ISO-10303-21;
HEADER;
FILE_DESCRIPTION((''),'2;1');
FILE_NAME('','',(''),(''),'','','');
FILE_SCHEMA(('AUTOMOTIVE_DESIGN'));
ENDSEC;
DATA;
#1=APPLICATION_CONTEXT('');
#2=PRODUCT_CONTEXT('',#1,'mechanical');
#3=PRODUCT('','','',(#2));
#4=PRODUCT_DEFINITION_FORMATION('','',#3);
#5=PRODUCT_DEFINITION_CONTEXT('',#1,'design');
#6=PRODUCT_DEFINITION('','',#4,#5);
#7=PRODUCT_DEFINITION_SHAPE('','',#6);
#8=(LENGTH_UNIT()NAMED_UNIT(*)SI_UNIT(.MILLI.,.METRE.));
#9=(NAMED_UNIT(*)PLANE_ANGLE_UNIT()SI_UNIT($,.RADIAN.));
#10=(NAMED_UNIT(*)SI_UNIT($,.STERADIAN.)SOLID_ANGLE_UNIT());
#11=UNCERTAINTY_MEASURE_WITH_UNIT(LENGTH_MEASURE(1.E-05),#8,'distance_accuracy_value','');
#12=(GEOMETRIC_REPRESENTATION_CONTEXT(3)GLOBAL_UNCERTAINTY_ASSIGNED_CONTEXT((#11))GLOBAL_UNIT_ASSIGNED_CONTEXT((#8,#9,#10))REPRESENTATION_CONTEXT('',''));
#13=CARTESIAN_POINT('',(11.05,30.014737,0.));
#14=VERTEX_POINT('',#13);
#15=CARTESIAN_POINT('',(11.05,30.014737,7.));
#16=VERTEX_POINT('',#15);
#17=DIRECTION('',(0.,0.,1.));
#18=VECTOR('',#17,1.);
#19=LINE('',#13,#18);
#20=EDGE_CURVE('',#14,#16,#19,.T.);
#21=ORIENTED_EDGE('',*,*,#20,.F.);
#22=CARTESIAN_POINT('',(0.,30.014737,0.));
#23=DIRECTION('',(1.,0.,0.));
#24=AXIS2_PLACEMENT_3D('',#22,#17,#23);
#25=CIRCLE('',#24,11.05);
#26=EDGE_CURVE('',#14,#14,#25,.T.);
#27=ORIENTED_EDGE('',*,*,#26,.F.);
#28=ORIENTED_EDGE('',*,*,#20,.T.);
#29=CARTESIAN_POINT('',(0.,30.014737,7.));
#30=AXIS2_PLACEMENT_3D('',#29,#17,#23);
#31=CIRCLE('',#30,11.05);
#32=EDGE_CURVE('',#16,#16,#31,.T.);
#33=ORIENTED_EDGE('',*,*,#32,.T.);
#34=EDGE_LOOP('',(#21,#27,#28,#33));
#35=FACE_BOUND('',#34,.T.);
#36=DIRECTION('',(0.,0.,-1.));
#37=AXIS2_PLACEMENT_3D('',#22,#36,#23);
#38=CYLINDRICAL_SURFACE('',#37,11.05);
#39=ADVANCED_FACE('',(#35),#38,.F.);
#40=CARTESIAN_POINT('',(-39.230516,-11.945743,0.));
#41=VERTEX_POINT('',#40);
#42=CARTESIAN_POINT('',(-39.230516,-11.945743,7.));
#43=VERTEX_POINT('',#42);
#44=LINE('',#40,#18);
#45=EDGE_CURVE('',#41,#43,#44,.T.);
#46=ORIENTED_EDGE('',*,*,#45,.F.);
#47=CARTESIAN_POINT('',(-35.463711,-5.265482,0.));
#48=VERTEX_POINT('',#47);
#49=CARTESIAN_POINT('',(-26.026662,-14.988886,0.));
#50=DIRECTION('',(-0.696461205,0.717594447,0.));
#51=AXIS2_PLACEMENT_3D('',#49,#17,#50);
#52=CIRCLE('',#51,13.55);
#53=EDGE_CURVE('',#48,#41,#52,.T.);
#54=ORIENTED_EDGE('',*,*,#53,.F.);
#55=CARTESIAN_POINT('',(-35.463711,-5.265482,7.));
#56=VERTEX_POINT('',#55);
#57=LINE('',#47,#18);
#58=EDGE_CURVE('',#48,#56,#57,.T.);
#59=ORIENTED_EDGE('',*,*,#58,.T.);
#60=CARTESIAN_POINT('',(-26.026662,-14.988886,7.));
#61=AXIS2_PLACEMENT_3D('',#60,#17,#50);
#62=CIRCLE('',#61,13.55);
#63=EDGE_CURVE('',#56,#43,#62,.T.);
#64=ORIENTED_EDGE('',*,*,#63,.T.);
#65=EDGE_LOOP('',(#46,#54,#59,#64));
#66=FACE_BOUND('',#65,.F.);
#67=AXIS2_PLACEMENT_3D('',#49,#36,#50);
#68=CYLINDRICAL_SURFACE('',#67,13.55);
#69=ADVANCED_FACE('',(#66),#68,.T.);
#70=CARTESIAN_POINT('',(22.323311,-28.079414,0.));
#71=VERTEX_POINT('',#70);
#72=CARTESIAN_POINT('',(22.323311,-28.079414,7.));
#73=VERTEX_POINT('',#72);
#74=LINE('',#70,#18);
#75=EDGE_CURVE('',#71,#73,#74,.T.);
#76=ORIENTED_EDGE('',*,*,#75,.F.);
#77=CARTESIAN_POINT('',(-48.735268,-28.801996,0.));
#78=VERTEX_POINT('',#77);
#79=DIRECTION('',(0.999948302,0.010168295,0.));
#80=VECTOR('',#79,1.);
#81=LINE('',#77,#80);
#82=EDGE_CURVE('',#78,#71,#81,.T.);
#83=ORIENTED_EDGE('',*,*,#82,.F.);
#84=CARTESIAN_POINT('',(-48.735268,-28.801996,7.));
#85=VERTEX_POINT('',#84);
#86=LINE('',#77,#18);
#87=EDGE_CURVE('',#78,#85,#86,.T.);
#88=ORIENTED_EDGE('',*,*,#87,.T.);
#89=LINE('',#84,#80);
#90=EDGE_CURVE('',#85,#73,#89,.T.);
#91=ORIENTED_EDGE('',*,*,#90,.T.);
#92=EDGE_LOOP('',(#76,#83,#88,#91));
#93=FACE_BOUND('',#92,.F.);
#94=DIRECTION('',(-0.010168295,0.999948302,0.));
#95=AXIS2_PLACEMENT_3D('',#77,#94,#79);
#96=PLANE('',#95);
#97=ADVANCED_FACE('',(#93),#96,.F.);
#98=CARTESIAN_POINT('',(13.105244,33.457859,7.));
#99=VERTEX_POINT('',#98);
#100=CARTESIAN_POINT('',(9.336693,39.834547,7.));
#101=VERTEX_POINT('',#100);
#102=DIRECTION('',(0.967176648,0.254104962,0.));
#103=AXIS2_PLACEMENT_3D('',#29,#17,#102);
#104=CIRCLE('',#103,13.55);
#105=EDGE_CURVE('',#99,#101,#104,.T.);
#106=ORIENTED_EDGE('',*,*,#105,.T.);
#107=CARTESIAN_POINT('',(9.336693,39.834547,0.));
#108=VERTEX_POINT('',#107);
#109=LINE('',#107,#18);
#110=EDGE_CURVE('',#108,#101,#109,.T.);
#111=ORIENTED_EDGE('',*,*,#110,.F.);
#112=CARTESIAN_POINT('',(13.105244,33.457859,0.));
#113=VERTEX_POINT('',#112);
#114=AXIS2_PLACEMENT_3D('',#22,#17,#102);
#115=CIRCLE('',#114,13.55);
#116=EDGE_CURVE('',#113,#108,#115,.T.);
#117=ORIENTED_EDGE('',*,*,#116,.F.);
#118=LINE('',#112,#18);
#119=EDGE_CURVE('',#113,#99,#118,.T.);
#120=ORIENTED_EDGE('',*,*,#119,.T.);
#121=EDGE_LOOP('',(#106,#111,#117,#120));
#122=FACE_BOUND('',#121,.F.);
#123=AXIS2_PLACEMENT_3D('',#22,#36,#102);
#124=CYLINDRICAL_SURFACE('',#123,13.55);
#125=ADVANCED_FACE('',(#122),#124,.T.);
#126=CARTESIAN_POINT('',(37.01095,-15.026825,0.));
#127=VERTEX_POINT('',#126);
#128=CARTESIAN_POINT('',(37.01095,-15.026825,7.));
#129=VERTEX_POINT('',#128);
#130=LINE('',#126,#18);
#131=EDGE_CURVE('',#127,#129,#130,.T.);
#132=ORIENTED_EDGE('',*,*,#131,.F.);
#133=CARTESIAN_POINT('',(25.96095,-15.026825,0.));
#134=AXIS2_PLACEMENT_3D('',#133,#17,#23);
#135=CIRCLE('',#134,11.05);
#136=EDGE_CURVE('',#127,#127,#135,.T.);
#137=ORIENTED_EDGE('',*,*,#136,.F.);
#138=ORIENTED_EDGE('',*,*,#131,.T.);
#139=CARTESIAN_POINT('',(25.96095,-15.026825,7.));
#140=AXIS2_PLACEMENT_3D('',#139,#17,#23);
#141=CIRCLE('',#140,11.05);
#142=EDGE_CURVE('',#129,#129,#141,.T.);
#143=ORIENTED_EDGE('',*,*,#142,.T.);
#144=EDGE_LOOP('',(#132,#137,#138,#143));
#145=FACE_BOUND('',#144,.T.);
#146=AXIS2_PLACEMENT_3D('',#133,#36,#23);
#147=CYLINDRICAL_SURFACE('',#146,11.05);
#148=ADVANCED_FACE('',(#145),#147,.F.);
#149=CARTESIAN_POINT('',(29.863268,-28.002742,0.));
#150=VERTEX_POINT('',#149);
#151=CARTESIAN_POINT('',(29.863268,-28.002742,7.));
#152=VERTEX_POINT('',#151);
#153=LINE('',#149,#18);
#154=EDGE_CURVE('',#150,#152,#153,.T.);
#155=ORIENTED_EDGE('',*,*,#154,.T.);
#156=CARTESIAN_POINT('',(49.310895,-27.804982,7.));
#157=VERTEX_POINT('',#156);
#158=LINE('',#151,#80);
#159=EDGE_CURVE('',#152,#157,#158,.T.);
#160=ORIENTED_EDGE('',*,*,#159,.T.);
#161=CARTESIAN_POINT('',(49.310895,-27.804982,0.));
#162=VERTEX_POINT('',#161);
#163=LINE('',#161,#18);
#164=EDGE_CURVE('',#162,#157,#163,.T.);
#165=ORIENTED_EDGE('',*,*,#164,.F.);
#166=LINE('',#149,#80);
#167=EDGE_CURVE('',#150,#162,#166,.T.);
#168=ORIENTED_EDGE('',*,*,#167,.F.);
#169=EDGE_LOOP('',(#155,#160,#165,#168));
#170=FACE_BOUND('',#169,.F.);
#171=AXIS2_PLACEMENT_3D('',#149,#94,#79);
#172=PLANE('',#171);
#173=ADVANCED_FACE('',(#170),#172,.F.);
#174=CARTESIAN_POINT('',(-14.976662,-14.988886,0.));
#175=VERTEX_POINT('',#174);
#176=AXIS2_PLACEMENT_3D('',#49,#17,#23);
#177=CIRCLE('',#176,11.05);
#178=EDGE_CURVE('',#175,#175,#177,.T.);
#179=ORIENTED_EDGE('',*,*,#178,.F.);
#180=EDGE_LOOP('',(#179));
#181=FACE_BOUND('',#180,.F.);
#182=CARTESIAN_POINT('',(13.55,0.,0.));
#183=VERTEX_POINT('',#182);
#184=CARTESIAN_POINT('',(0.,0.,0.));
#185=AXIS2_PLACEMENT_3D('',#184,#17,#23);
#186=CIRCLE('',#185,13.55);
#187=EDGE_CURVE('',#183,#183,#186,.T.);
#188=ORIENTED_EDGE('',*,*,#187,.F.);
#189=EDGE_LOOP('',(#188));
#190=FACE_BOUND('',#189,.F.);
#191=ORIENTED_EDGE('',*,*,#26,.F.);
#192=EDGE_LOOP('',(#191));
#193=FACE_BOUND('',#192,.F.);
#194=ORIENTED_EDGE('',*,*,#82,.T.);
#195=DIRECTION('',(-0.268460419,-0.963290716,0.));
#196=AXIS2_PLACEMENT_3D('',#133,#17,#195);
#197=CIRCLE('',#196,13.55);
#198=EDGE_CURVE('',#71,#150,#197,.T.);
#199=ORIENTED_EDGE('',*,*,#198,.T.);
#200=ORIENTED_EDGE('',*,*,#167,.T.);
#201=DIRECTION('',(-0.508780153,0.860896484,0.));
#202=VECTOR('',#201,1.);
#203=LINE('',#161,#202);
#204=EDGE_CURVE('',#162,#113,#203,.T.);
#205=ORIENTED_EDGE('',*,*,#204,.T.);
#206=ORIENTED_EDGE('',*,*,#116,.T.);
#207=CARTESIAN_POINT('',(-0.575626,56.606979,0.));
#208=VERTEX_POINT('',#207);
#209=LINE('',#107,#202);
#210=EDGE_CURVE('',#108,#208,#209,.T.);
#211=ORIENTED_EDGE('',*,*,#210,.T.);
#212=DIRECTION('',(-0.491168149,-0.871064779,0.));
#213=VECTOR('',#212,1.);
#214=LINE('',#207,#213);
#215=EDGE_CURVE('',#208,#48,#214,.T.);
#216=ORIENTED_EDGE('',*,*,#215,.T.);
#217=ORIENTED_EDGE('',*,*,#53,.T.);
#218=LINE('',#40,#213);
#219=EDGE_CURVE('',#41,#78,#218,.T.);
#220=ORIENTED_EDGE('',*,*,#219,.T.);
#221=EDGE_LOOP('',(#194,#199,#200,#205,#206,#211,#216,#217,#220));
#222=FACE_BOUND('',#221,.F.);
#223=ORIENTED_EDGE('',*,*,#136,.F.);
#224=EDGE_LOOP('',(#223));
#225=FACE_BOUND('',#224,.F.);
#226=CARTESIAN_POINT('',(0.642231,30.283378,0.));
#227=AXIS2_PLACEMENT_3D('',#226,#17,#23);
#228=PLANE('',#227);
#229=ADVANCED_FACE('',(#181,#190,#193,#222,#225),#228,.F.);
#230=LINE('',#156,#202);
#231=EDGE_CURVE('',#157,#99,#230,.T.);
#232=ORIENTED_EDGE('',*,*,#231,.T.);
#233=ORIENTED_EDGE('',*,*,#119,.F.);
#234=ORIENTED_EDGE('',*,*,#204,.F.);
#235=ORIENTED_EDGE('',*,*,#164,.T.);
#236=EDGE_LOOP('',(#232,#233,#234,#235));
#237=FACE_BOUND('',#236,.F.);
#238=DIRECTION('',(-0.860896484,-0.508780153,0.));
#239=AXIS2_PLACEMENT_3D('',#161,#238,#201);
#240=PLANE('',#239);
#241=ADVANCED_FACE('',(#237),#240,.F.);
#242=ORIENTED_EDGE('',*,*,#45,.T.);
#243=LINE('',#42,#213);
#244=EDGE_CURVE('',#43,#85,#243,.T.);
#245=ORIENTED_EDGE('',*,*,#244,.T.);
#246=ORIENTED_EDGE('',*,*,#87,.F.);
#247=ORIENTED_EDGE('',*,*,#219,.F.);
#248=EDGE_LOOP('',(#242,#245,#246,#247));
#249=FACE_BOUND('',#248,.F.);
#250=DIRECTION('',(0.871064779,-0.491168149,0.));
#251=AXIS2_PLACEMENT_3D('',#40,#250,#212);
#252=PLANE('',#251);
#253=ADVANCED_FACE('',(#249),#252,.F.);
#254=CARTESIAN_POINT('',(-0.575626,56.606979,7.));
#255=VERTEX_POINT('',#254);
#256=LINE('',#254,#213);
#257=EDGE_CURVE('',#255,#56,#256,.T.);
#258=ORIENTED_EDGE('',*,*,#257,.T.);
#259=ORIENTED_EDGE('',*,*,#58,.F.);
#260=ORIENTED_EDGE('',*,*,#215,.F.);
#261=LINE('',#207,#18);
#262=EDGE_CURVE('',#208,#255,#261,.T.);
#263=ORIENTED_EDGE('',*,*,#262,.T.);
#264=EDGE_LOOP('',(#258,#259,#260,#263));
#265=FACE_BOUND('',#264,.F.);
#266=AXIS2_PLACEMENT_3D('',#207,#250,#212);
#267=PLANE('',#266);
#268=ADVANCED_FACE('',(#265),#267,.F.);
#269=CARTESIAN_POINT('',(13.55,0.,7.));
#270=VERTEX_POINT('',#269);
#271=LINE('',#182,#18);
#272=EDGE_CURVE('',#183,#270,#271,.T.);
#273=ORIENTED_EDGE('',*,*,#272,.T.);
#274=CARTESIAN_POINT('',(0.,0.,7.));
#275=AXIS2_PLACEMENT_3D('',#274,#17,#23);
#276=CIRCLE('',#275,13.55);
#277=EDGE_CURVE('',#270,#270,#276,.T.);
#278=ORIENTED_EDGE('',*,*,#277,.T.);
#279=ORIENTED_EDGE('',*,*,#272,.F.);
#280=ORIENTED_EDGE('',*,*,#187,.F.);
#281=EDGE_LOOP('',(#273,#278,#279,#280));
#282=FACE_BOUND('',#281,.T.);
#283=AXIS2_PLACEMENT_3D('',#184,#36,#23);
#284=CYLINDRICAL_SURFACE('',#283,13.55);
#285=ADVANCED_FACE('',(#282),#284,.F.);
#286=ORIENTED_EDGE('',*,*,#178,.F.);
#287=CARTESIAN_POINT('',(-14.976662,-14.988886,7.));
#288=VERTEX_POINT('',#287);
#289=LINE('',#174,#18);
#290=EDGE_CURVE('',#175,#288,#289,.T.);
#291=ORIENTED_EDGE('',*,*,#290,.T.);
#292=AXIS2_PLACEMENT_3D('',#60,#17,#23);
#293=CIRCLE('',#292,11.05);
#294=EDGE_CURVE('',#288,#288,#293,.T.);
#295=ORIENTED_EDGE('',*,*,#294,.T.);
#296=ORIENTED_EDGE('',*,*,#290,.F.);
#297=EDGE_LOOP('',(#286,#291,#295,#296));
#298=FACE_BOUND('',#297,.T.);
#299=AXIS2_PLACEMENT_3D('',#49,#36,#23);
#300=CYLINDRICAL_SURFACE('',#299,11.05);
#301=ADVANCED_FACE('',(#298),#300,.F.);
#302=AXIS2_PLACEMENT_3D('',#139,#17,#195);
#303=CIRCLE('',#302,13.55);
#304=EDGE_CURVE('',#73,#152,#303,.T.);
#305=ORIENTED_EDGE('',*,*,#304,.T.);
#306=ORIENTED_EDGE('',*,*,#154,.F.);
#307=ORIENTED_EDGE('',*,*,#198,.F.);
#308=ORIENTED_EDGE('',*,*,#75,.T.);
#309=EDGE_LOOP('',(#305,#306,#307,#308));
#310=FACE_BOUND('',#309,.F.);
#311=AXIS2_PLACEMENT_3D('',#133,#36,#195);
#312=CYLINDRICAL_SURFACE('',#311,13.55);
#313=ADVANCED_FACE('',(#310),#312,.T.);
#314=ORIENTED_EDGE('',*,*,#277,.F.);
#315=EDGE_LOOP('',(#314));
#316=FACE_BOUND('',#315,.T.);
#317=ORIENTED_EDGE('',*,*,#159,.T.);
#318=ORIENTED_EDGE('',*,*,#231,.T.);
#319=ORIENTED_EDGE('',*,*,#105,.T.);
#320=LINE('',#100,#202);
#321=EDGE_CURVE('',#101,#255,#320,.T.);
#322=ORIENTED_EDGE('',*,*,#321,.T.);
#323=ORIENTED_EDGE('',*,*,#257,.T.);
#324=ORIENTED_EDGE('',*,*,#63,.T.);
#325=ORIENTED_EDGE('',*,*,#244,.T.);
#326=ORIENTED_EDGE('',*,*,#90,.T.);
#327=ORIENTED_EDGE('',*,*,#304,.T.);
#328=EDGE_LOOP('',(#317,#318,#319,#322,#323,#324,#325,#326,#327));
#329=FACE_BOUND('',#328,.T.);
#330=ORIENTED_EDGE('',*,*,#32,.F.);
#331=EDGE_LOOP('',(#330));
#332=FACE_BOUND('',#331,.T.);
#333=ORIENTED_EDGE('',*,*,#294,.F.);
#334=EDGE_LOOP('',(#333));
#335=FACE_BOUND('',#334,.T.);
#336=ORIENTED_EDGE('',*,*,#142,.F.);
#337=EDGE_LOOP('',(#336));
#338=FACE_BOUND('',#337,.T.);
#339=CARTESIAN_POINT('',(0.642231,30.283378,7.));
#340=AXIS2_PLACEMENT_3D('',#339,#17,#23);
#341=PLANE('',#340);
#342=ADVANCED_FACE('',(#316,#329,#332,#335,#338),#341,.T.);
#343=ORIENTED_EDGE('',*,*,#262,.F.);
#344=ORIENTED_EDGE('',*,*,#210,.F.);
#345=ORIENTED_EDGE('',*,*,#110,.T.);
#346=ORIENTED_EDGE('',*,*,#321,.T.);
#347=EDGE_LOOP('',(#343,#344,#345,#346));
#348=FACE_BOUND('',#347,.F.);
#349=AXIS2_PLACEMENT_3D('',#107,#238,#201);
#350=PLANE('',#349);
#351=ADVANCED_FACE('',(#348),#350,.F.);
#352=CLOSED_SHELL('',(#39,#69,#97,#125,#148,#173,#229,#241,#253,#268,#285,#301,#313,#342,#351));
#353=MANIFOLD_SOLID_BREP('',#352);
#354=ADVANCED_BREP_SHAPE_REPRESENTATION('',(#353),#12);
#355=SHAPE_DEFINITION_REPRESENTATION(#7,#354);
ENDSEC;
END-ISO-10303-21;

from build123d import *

# Parameters (mm, degrees)
F0_R     = 11.05
F0_R_2   = 13.55
F1_DEPTH = 7


with BuildPart() as f1:
    # F0 (on Top) → F1 (new body)
    with BuildSketch(Plane.XY):
        with BuildLine():
            ThreePointArc((9.3366927058, 39.8345466227), (-12.4522023386, 24.671969793), (13.55, 30.0147365779))
            ThreePointArc((13.55, 30.0147365779), (13.4383509122, 31.7506008471), (13.1052435777, 33.4578588192))
            Line((13.1052435777, 33.4578588192), (9.3366927058, 39.8345466227))
        make_face()
        with Locations((0, 30.0147365779)):
            Circle(F0_R, mode=Mode.SUBTRACT)
        with BuildLine():
            ThreePointArc((13.1052435777, 33.4578588192), (13.4383509122, 31.7506008471), (13.55, 30.0147365779))
            ThreePointArc((13.55, 30.0147365779), (-12.4522023386, 24.671969793), (9.3366927058, 39.8345466227))
            Line((9.3366927058, 39.8345466227), (-0.5756262346, 56.6069786372))
            Line((-0.5756262346, 56.6069786372), (-35.4637109435, -5.2654817113))
            ThreePointArc((-35.4637109435, -5.2654817113), (-20.7479078997, -2.5094129528), (-12.4766616182, -14.9888864664))
            ThreePointArc((-12.4766616182, -14.9888864664), (-27.5580450783, -28.4520719995), (-39.2305161863, -11.9457426075))
            Line((-39.2305161863, -11.9457426075), (-48.735268414, -28.8019962609))
            Line((-48.735268414, -28.8019962609), (22.3233113272, -28.0794142811))
            ThreePointArc((22.3233113272, -28.0794142811), (17.7660584346, -4.2357986208), (39.5109500096, -15.0268250814))
            ThreePointArc((39.5109500096, -15.0268250814), (36.8347466684, -23.1115666494), (29.8632679104, -28.002741812))
            Line((29.8632679104, -28.002741812), (49.3108946486, -27.8049823764))
            Line((49.3108946486, -27.8049823764), (13.1052435777, 33.4578588192))
        make_face()
        Circle(F0_R_2, mode=Mode.SUBTRACT)
        with BuildLine():
            Line((9.3366927058, 39.8345466227), (13.1052435777, 33.4578588192))
            ThreePointArc((13.1052435777, 33.4578588192), (11.6651473576, 36.9087076487), (9.3366927058, 39.8345466227))
        make_face()
        with BuildLine():
            Line((22.3233113272, -28.0794142811), (29.8632679104, -28.002741812))
            ThreePointArc((29.8632679104, -28.002741812), (36.8347466684, -23.1115666494), (39.5109500096, -15.0268250814))
            ThreePointArc((39.5109500096, -15.0268250814), (17.7660584346, -4.2357986208), (22.3233113272, -28.0794142811))
        make_face()
        with Locations((25.9609500096, -15.0268250814)):
            Circle(F0_R, mode=Mode.SUBTRACT)
        with BuildLine():
            ThreePointArc((22.3233113272, -28.0794142811), (26.0987304111, -28.5761245674), (29.8632679104, -28.002741812))
            Line((29.8632679104, -28.002741812), (22.3233113272, -28.0794142811))
        make_face()
        with BuildLine():
            Line((-39.2305161863, -11.9457426075), (-35.4637109435, -5.2654817113))
            ThreePointArc((-35.4637109435, -5.2654817113), (-37.8295893773, -8.3335580513), (-39.2305161863, -11.9457426075))
        make_face()
        with BuildLine():
            ThreePointArc((-12.4766616182, -14.9888864664), (-20.7479078997, -2.5094129528), (-35.4637109435, -5.2654817113))
            Line((-35.4637109435, -5.2654817113), (-39.2305161863, -11.9457426075))
            ThreePointArc((-39.2305161863, -11.9457426075), (-27.5580450783, -28.4520719995), (-12.4766616182, -14.9888864664))
        make_face()
        with Locations((-26.0266616182, -14.9888864664)):
            Circle(F0_R, mode=Mode.SUBTRACT)
    extrude(amount=F1_DEPTH)


solid = f1.part
